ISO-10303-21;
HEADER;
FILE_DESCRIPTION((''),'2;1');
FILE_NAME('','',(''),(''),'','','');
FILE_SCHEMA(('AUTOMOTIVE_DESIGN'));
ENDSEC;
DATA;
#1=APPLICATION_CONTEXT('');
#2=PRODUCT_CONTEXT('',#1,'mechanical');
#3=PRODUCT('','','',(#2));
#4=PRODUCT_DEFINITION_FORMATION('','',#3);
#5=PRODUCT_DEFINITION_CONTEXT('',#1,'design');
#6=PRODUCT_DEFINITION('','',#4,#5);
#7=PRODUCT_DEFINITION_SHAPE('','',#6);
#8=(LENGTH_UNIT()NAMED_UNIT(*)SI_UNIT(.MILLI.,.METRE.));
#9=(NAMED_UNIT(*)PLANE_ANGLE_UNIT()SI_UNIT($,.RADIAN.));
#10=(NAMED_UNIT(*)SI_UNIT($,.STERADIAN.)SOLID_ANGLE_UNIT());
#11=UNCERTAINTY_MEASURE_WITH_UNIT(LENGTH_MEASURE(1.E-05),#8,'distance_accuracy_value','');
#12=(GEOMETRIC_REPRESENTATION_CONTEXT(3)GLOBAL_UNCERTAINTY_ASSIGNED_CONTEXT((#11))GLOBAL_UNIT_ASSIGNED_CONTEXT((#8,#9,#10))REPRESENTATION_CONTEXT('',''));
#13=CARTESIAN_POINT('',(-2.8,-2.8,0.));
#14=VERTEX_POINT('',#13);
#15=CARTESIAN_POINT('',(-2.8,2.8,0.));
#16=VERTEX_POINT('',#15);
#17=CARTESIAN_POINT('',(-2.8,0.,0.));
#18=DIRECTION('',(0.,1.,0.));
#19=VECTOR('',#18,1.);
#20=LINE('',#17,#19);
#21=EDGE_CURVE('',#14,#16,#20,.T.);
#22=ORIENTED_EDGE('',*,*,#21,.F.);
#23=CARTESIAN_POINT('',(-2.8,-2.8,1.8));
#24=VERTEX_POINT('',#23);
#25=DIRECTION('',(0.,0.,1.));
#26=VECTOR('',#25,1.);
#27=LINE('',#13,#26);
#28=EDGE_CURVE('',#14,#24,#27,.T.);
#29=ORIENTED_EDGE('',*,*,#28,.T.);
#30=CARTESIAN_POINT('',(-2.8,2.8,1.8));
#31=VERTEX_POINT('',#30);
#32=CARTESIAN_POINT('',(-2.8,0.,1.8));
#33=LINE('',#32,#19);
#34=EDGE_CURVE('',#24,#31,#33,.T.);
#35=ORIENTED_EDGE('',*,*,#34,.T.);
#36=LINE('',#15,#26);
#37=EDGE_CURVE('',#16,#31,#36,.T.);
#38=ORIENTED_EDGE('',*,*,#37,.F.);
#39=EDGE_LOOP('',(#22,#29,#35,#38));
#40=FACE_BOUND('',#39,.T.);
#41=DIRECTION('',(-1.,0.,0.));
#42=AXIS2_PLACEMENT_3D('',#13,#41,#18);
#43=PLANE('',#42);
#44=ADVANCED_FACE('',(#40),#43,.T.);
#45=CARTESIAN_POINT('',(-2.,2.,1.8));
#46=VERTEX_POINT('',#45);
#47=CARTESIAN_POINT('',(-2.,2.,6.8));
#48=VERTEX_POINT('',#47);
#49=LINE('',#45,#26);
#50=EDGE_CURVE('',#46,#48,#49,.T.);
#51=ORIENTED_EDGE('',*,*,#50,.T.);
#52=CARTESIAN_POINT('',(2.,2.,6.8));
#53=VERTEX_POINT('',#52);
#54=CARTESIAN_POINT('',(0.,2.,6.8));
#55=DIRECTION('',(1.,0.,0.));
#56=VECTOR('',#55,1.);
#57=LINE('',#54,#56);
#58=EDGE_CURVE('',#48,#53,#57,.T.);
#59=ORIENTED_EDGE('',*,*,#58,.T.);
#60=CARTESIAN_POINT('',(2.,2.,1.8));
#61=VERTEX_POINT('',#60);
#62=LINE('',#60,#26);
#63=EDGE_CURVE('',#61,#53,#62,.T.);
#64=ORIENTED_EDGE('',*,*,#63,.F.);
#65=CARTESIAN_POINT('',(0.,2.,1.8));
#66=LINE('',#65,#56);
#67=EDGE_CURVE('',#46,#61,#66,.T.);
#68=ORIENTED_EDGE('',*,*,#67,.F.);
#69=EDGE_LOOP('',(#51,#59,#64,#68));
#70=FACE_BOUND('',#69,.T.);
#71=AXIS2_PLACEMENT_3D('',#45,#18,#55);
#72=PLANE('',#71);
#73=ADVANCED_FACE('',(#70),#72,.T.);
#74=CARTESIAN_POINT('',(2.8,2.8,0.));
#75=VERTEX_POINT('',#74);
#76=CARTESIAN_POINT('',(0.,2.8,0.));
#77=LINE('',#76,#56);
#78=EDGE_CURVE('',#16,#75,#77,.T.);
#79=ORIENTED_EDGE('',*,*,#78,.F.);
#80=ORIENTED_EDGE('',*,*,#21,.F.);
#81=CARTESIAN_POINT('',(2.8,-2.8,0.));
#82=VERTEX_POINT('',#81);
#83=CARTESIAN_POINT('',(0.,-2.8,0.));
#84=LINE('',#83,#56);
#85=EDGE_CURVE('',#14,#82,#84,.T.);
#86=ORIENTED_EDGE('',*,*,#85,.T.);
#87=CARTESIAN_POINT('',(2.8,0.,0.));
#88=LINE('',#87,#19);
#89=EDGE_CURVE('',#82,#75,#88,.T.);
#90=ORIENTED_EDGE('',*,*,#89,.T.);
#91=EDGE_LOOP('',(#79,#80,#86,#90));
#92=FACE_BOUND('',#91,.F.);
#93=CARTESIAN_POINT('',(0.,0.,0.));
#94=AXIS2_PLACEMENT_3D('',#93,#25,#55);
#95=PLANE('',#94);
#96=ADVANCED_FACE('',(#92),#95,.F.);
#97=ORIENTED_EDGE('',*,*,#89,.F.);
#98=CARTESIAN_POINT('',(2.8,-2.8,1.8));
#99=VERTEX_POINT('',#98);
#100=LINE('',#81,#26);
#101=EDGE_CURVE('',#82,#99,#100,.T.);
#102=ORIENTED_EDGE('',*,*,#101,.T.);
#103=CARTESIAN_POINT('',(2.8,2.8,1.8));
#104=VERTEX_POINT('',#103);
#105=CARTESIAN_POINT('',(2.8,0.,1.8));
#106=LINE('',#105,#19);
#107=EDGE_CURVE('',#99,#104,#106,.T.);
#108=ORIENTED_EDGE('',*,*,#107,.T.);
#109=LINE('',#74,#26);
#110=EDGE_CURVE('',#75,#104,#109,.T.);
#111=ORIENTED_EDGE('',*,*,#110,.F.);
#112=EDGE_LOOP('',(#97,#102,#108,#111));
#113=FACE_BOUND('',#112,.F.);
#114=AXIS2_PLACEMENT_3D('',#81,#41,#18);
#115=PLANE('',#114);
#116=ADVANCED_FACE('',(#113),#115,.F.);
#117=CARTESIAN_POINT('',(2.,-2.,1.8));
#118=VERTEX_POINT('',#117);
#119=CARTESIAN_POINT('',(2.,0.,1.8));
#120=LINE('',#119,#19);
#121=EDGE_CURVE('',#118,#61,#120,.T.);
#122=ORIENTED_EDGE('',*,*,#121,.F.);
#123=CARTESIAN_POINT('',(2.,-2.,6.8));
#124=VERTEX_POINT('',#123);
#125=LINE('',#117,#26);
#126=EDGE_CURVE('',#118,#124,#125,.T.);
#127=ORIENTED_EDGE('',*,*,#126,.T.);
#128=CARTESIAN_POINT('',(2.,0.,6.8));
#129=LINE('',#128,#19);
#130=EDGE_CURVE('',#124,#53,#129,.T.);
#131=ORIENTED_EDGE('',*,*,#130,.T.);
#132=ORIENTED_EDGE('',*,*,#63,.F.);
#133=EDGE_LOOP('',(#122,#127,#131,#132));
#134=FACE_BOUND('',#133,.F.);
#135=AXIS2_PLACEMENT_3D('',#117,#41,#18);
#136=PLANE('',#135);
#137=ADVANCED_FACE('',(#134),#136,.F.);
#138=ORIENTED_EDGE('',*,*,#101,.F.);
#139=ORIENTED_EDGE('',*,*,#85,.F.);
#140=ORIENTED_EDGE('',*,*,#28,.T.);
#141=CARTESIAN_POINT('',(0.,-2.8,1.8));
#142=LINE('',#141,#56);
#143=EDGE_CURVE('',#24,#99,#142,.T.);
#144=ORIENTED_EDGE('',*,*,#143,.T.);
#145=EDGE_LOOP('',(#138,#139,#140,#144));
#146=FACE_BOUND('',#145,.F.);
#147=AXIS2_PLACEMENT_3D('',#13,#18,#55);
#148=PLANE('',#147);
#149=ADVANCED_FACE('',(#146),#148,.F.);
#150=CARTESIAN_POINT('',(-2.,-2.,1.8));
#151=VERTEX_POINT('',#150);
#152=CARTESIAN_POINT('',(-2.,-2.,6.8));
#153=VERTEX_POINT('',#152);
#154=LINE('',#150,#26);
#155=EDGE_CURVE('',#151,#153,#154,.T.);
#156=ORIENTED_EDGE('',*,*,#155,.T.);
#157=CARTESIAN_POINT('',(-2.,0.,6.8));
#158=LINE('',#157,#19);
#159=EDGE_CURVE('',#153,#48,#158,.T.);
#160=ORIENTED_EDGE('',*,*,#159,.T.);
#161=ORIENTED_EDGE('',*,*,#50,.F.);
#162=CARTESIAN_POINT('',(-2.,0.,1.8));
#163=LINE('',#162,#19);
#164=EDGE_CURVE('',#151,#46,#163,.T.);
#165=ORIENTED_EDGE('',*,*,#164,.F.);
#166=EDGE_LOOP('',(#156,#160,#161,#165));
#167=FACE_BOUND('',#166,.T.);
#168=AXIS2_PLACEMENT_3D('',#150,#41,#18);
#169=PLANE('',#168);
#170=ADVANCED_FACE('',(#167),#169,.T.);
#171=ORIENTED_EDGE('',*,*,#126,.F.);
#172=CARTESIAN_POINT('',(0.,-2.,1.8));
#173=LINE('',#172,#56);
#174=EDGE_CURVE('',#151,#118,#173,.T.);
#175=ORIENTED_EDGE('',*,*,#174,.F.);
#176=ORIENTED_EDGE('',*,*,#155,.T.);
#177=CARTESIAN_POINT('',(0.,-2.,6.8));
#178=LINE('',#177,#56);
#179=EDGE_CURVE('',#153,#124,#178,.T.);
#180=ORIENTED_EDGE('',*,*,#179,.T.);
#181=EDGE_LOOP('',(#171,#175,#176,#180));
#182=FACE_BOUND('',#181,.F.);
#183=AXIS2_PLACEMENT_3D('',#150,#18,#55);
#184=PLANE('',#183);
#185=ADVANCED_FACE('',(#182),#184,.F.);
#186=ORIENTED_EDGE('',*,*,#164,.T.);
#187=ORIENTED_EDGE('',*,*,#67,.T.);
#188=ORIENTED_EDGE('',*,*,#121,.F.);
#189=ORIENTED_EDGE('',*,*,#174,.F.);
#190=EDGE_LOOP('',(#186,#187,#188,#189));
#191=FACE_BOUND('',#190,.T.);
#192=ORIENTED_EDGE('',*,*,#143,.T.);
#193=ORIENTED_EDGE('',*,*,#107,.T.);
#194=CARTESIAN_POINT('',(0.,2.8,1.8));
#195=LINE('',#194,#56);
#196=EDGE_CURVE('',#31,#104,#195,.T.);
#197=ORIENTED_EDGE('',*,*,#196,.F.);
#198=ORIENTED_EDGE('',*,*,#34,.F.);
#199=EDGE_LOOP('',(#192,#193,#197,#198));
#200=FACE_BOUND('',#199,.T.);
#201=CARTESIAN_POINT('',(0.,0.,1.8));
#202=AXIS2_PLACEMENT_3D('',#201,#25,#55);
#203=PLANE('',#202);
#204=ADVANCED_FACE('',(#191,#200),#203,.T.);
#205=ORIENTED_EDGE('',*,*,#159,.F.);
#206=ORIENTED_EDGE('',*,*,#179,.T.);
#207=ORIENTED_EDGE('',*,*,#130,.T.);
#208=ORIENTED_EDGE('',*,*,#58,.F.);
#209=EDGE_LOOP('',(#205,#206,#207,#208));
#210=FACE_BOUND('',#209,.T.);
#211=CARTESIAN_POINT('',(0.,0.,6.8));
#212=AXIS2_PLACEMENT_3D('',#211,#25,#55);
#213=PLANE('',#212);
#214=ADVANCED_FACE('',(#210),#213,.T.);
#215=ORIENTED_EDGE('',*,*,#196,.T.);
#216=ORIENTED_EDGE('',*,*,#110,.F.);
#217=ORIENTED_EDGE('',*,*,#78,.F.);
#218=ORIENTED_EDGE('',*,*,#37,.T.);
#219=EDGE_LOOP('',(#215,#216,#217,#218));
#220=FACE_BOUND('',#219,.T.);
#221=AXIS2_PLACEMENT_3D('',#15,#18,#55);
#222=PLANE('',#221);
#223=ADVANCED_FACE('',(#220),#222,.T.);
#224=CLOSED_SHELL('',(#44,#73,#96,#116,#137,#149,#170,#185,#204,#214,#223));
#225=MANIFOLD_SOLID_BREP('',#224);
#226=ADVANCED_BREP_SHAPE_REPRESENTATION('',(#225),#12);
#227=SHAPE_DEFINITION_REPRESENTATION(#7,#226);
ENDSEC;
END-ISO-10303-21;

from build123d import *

# Parameters (mm, degrees)
SKETCH_W     = 5.6
SKETCH_H     = 5.6
PAD_DEPTH    = 1.8
SKETCH001_W  = 4
SKETCH001_H  = 4
PAD001_DEPTH = 5


with BuildPart() as part:
    # Sketch → Pad (new body)
    with BuildSketch(Plane.XY):
        Rectangle(SKETCH_W, SKETCH_H)
    extrude(amount=PAD_DEPTH)

    # Sketch001 → Pad001 (new body)
    with BuildSketch(Plane.XY.offset(1.8)):
        Rectangle(SKETCH001_W, SKETCH001_H)
    extrude(amount=PAD001_DEPTH)


solid = part.part
